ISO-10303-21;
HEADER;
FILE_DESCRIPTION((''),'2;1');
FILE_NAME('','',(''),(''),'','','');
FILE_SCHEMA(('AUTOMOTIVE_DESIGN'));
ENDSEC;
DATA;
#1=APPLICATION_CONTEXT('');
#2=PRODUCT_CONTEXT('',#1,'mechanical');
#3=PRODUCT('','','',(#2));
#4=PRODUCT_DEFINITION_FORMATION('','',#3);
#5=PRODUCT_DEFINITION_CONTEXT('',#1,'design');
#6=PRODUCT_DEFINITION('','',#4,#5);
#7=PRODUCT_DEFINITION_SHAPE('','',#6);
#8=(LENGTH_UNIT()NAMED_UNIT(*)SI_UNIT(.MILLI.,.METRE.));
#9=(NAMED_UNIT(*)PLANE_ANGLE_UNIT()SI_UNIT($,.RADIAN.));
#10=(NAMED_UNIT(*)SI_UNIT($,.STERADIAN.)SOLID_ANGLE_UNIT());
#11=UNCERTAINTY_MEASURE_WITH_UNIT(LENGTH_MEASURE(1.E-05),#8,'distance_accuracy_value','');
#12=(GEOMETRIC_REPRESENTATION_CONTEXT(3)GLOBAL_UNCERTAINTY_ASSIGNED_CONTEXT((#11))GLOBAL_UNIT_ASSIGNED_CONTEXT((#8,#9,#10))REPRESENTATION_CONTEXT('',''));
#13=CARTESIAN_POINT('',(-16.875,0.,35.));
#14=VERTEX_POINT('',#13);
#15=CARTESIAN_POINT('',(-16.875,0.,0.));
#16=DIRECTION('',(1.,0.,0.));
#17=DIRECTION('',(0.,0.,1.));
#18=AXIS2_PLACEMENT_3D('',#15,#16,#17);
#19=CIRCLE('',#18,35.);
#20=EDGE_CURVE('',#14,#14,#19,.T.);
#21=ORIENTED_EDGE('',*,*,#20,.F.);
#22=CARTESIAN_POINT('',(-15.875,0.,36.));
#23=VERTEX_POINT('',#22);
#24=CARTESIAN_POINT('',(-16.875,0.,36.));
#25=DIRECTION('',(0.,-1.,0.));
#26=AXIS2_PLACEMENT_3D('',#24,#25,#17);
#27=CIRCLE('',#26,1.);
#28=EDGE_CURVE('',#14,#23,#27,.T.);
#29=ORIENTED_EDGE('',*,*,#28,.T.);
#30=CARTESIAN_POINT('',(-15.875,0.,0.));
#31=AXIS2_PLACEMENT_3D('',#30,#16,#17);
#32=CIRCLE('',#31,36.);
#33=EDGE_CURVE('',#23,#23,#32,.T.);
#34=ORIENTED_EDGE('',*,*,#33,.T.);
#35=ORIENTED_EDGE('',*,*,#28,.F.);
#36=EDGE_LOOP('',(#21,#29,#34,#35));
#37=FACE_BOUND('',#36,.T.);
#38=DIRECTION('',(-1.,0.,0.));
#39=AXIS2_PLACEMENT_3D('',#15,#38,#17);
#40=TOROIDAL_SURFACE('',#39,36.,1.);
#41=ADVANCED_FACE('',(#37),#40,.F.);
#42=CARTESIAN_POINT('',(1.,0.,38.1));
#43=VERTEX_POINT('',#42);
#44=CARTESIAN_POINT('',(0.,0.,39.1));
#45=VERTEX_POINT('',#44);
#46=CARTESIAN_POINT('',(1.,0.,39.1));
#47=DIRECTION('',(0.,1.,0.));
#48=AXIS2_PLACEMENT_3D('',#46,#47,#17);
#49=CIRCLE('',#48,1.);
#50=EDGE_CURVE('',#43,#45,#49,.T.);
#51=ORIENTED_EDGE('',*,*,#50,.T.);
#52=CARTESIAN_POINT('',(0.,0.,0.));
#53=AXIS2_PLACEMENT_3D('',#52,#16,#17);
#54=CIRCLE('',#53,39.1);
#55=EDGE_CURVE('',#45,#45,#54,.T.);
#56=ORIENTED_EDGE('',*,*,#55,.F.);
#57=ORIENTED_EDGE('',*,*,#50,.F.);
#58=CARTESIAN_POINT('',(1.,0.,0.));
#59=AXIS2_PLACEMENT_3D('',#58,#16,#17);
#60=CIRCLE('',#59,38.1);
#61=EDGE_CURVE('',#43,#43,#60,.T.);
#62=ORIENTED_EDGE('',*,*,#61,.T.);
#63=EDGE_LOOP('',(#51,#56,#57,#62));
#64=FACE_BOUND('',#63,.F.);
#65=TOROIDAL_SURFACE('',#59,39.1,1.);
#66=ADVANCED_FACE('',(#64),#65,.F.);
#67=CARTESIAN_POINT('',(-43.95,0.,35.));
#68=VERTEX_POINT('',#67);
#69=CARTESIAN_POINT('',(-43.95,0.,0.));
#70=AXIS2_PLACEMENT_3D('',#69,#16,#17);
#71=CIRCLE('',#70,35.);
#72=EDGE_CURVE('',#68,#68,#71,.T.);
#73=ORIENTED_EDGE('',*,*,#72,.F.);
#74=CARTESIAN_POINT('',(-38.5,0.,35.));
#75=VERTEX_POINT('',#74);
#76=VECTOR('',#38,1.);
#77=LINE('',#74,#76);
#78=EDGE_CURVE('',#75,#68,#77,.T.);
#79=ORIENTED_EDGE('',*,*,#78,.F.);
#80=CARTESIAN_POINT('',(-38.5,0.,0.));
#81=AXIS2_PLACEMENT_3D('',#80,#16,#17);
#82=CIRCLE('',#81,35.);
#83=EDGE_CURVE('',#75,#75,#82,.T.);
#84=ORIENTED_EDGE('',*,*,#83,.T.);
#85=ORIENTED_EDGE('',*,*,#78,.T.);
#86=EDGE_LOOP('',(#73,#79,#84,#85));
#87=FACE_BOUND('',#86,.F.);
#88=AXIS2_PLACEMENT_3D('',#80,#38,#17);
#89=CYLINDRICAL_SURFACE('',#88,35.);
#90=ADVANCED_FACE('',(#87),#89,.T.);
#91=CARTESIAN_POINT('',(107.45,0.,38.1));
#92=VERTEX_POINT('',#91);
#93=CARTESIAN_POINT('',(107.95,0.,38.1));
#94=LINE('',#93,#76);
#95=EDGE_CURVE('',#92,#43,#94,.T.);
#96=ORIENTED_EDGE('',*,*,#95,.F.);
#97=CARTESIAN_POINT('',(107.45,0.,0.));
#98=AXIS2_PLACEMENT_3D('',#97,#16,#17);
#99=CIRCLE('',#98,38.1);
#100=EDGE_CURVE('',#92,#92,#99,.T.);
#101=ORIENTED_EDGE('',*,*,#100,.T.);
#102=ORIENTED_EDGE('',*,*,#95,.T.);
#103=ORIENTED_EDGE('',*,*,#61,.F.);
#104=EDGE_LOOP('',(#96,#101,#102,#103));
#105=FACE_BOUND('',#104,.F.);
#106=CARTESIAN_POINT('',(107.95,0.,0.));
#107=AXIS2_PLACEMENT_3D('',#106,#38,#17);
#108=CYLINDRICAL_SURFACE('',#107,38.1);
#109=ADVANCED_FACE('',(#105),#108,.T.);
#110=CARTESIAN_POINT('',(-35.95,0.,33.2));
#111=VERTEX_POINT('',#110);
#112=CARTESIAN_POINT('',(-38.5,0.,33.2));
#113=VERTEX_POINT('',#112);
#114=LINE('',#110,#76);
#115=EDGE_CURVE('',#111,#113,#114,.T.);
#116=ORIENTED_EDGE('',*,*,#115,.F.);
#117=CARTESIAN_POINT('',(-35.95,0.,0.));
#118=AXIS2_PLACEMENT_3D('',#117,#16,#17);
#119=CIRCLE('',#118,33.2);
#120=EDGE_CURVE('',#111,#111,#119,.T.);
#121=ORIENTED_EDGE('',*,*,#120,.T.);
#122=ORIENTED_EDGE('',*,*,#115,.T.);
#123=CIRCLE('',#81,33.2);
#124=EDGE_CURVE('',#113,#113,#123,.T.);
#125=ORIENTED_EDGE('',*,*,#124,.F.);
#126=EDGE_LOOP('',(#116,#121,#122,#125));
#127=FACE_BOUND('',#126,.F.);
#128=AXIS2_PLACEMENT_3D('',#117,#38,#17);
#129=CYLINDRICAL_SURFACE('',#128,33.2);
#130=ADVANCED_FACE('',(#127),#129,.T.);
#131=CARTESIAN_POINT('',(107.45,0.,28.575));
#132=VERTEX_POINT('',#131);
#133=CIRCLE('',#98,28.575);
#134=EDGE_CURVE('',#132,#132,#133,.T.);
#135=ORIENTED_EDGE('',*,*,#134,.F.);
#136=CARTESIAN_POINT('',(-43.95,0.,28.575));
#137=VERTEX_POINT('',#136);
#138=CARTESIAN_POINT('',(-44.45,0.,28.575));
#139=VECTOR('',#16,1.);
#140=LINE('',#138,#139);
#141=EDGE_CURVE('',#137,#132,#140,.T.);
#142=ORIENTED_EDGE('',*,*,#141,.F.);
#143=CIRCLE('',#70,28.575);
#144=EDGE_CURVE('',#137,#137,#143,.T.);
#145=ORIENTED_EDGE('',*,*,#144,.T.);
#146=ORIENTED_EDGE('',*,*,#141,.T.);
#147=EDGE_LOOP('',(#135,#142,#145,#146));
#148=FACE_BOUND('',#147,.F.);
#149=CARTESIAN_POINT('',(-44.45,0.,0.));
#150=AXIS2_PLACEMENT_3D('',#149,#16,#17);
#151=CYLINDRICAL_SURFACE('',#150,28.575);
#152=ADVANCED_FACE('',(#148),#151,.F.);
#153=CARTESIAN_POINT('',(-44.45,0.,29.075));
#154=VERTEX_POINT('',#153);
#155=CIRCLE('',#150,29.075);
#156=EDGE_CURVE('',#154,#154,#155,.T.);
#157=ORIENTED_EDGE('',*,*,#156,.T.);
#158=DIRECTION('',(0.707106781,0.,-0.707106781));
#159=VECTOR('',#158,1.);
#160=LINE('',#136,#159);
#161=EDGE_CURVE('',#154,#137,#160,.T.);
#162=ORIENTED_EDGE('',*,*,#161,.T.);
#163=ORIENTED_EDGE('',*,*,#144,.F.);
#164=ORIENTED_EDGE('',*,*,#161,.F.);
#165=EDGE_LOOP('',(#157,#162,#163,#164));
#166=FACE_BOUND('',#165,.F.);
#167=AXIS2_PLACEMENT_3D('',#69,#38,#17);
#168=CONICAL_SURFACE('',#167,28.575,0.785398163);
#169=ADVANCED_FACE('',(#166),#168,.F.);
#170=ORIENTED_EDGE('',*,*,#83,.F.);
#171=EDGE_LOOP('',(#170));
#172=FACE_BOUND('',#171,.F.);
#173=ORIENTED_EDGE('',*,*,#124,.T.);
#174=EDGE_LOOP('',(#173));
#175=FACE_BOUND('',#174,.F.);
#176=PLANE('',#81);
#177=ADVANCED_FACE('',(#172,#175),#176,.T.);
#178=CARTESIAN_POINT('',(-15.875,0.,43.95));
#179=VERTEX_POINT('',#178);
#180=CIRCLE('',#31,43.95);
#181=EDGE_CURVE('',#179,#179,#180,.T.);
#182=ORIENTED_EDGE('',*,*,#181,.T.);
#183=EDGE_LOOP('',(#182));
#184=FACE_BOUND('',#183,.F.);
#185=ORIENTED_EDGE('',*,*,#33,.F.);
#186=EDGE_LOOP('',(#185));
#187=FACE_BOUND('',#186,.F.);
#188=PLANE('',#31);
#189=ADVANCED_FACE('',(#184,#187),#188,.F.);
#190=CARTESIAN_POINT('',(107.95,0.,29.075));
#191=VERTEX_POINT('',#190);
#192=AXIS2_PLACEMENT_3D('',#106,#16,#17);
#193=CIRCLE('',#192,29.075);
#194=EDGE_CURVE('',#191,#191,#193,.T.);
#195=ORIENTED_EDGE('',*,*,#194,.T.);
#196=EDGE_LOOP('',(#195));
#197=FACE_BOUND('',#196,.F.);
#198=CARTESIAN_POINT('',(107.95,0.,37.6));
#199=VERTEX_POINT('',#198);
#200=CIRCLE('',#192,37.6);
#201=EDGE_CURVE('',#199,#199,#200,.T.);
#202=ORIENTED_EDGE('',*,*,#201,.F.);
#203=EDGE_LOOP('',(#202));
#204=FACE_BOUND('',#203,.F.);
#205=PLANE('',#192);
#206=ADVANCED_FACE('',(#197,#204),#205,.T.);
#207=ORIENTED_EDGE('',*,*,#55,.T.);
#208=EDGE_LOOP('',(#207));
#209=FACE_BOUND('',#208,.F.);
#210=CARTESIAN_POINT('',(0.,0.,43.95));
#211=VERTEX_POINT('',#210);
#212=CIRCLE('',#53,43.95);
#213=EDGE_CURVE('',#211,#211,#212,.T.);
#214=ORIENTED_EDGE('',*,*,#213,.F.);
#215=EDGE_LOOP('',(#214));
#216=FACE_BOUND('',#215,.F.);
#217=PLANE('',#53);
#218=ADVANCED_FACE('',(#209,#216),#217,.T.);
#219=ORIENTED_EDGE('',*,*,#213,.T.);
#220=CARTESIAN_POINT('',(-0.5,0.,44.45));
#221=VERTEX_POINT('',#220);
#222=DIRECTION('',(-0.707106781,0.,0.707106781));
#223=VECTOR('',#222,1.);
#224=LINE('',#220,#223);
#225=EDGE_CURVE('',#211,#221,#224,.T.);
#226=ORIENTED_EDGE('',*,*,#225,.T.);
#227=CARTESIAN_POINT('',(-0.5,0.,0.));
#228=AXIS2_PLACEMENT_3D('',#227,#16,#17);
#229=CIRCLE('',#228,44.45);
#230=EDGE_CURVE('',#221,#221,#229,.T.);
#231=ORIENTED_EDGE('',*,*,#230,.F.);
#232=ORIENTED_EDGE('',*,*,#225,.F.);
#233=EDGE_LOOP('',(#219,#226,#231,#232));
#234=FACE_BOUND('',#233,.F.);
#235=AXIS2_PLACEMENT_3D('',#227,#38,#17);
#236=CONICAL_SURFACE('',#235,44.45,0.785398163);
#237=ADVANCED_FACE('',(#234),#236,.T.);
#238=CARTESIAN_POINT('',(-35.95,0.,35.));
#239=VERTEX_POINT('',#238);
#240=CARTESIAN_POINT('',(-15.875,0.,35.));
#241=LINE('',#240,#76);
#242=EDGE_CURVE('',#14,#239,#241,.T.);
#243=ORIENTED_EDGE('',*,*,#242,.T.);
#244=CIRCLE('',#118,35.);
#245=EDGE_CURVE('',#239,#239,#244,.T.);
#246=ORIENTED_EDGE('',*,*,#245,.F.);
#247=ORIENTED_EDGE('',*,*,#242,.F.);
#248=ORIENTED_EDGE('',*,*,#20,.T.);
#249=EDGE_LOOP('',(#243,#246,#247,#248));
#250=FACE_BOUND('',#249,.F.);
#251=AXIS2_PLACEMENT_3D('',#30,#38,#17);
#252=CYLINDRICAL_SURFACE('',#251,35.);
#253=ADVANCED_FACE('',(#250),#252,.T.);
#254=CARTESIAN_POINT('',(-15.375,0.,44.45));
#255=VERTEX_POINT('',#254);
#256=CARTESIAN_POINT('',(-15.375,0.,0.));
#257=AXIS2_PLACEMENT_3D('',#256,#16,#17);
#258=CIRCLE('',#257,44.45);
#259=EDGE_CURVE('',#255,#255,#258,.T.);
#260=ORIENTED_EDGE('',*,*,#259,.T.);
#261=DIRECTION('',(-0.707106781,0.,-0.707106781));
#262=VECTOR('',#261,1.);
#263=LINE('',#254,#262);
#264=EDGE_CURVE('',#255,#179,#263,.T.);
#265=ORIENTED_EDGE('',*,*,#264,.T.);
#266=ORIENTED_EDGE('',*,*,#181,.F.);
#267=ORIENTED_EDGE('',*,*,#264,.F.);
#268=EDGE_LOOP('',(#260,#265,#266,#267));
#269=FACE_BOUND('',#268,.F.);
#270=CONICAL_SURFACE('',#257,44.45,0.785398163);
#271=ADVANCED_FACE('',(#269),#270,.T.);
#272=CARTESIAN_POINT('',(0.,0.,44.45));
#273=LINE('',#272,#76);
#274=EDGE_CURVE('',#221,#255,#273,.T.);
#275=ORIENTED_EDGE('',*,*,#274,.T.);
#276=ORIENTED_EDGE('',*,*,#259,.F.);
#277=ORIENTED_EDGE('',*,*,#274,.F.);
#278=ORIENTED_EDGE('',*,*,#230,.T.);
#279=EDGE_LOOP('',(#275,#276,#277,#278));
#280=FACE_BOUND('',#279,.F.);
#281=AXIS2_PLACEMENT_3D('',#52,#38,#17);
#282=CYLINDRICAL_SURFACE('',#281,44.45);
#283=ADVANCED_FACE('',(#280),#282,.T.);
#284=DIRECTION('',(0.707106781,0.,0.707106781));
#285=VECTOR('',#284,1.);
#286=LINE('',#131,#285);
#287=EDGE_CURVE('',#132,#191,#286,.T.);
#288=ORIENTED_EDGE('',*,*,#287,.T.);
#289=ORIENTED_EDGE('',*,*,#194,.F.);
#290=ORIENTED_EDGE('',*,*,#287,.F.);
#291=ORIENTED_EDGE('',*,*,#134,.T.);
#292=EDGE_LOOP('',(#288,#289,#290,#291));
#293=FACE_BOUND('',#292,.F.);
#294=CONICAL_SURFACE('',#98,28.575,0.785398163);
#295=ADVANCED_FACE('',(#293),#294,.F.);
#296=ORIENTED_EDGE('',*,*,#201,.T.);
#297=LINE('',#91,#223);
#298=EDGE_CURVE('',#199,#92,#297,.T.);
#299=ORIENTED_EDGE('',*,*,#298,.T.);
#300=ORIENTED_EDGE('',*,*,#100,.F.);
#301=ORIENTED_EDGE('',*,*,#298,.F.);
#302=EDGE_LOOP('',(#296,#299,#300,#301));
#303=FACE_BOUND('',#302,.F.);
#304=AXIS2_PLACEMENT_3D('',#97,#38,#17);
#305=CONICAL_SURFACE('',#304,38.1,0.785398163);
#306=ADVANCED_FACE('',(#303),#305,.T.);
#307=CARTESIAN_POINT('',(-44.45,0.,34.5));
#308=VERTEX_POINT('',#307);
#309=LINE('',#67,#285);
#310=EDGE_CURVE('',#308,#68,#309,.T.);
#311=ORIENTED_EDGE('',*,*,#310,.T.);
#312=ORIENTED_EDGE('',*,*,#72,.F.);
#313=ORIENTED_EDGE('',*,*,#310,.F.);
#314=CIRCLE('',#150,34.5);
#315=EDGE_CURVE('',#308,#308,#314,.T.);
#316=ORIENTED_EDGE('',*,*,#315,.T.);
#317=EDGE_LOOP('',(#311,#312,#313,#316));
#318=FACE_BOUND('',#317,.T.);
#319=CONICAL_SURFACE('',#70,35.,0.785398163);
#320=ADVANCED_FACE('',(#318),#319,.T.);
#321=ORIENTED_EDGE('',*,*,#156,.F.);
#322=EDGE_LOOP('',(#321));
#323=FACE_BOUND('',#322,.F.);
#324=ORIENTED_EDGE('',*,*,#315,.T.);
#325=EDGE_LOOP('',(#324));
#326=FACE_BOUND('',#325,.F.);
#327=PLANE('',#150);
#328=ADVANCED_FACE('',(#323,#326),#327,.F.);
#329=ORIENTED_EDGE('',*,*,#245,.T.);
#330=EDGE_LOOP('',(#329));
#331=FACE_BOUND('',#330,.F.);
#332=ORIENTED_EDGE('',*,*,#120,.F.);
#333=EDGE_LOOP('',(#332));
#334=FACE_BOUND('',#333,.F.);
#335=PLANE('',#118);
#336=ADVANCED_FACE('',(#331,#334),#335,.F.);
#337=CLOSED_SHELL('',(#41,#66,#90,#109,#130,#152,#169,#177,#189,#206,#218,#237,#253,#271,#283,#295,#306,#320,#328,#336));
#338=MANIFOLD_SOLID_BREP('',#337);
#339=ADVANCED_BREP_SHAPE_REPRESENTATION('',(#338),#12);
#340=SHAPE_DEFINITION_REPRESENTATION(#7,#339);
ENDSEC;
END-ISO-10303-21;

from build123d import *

# Parameters (mm, degrees)
F2_SIZE = 0.5
F3_R    = 1


with BuildPart() as f1:
    # F0 (on Front) → F1 (revolve)
    with BuildSketch(Plane.XZ):
        Polygon((-44.45, 35), (-44.45, 28.575), (107.95, 28.575), (107.95, 38.1), (0, 38.1), (0, 44.45), (-15.875, 44.45), (-15.875, 35), (-35.95, 35), (-35.95, 33.2), (-38.5, 33.2), (-38.5, 35), align=None)
    revolve(axis=Axis((19.276485, 0, 0), (1, 0, 0)))

    # F2
    f2_edges = [f1.edges().sort_by_distance(p)[0] for p in [
        (107.95, 0, -38.1),
        (107.95, 0, -28.575),
        (-44.45, 0, -28.575),
        (-44.45, 0, -35),
        (-15.875, 0, -44.45),
        (0, 0, -44.45),
    ]]
    chamfer(f2_edges, length=F2_SIZE)

    # F3
    f3_edges = [f1.edges().sort_by_distance(p)[0] for p in [
        (-15.875, 0, -35),
        (0, 0, -38.1),
    ]]
    fillet(f3_edges, radius=F3_R)


solid = f1.part
